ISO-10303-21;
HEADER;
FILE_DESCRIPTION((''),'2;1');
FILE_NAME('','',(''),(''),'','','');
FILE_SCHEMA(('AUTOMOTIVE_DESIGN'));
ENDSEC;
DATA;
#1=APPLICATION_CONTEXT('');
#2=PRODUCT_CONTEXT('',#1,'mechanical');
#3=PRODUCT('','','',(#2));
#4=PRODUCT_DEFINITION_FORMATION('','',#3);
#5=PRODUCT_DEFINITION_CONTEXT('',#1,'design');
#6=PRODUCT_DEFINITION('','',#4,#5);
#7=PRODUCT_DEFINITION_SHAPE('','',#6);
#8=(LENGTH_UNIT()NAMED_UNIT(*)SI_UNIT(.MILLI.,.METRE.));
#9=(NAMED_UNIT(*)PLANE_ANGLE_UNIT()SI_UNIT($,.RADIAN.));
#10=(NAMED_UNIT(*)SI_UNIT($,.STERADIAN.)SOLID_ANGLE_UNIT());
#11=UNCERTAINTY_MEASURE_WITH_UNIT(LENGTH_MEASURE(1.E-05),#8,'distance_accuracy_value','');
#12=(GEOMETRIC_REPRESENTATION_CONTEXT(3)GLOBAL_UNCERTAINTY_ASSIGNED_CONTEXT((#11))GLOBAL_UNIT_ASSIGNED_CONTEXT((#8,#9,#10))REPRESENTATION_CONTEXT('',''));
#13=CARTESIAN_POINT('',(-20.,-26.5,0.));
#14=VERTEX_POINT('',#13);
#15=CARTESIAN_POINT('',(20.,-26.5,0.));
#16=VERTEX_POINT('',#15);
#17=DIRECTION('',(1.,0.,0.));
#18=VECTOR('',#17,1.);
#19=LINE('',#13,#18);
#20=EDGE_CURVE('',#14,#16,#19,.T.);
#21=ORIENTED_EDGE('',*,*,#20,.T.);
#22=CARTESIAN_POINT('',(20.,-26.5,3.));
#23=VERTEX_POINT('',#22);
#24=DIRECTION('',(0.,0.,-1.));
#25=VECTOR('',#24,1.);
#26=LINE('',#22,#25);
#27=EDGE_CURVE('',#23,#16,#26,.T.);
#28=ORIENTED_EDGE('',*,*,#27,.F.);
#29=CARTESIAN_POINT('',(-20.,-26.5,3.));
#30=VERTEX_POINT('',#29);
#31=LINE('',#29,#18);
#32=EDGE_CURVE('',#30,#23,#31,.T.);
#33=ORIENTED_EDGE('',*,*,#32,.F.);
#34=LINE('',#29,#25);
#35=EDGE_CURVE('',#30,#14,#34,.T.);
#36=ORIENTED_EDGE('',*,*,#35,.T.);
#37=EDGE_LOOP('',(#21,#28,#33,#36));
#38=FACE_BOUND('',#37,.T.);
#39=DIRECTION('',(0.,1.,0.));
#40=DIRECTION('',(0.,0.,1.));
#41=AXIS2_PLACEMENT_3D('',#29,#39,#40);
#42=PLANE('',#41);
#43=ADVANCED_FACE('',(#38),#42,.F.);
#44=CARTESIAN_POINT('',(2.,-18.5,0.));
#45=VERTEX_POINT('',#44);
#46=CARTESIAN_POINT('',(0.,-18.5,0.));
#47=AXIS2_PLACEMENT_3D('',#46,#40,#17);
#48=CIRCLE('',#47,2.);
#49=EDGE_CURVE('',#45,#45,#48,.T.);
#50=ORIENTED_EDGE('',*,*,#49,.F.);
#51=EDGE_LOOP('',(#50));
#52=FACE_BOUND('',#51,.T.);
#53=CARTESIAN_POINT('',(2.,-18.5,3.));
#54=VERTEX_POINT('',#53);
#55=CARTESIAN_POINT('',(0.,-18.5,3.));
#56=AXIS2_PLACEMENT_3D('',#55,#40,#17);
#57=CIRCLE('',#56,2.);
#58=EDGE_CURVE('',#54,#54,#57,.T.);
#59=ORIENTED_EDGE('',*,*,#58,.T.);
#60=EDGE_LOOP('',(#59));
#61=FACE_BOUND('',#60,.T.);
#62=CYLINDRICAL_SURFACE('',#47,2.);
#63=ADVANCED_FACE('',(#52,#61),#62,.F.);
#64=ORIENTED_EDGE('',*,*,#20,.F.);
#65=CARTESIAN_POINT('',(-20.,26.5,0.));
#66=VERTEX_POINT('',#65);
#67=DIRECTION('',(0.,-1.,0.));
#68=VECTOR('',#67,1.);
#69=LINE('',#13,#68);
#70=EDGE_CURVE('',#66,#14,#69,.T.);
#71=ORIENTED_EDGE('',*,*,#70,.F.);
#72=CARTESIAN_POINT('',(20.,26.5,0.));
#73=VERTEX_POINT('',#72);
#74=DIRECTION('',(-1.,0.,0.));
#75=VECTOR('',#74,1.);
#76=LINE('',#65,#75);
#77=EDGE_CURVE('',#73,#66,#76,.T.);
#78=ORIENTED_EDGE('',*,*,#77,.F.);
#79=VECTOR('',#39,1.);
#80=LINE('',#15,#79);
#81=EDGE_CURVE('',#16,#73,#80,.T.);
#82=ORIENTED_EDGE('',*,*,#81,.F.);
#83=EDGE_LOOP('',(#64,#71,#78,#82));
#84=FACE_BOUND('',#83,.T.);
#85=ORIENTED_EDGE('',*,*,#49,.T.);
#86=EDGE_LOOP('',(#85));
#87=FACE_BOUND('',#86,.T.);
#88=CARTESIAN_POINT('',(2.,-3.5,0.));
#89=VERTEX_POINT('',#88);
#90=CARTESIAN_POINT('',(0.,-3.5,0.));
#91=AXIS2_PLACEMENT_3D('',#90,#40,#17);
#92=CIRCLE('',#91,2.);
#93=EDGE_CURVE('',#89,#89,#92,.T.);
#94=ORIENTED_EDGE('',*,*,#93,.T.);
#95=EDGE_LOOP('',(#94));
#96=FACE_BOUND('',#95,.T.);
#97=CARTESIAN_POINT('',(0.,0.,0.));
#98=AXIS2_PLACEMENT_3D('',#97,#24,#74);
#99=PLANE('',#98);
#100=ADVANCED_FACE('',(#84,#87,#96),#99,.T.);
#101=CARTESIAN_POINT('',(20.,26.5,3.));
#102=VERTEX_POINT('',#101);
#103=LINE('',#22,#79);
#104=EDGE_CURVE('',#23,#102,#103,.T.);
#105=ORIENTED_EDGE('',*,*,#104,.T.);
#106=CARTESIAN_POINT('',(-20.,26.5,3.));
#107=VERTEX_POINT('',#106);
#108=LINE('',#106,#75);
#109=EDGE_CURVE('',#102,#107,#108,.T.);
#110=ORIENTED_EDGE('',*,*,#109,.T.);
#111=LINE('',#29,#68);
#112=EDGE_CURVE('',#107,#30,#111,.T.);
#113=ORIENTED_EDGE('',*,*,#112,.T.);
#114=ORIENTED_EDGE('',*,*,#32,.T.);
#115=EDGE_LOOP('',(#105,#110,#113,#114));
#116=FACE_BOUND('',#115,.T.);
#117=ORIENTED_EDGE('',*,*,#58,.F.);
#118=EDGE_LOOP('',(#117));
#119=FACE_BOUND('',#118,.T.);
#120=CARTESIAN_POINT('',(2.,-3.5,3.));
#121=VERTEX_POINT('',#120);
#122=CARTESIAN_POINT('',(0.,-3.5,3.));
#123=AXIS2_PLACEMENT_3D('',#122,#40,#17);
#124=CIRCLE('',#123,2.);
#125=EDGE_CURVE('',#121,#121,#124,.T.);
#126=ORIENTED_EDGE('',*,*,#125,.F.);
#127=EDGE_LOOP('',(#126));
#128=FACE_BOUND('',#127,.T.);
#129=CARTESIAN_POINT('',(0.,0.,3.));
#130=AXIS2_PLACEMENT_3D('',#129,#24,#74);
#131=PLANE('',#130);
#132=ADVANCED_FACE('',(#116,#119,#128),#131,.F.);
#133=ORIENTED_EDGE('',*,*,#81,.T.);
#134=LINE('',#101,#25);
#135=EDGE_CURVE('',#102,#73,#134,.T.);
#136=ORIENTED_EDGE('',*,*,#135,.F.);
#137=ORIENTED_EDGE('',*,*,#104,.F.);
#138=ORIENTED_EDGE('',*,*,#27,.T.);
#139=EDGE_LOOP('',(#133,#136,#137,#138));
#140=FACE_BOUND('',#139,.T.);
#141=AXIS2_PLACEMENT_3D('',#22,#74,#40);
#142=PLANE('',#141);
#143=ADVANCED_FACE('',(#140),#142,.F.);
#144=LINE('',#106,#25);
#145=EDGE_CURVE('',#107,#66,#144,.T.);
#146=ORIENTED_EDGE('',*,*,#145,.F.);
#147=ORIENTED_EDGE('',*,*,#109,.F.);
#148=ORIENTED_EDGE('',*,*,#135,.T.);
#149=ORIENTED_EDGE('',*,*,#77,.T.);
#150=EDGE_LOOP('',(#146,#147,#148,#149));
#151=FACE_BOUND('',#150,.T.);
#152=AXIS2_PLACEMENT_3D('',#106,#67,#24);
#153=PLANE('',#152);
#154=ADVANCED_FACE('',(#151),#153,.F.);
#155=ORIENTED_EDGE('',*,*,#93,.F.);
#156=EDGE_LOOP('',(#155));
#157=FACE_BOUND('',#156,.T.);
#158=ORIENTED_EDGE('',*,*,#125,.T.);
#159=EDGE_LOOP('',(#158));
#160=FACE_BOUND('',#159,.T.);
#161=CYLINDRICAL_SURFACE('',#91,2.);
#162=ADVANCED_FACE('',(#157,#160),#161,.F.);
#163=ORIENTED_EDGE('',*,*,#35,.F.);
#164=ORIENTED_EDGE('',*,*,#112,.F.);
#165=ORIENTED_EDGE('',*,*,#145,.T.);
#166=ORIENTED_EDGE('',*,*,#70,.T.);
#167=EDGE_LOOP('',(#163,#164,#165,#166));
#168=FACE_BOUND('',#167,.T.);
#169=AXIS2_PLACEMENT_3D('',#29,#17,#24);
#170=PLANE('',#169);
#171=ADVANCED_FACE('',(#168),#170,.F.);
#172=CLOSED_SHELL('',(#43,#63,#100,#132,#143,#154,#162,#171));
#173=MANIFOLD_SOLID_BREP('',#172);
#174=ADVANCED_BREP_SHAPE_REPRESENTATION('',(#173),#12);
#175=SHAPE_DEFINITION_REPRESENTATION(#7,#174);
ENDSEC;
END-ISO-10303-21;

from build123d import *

# Parameters (mm, degrees)
SCHIZZO1_W                   = 40
SCHIZZO1_H                   = 53
ESTRUSIONE_ESTRUSIONE1_DEPTH = 3
SCHIZZO2_R                   = 2
TAGLIO_ESTRUSIONE1_DEPTH     = 34.335416602


with BuildPart() as part:
    # Schizzo1 → Estrusione-Estrusione1 (new body)
    with BuildSketch(Plane.XY):
        Rectangle(SCHIZZO1_W, SCHIZZO1_H)
    extrude(amount=ESTRUSIONE_ESTRUSIONE1_DEPTH)

    # Schizzo2 → Taglio-Estrusione1 (cut, through all)
    with BuildSketch(Plane.XY.offset(3)):
        with Locations((0, -18.5)):
            Circle(SCHIZZO2_R)
        with Locations((0, -3.5)):
            Circle(SCHIZZO2_R)
    extrude(amount=-TAGLIO_ESTRUSIONE1_DEPTH, mode=Mode.SUBTRACT)


solid = part.part
